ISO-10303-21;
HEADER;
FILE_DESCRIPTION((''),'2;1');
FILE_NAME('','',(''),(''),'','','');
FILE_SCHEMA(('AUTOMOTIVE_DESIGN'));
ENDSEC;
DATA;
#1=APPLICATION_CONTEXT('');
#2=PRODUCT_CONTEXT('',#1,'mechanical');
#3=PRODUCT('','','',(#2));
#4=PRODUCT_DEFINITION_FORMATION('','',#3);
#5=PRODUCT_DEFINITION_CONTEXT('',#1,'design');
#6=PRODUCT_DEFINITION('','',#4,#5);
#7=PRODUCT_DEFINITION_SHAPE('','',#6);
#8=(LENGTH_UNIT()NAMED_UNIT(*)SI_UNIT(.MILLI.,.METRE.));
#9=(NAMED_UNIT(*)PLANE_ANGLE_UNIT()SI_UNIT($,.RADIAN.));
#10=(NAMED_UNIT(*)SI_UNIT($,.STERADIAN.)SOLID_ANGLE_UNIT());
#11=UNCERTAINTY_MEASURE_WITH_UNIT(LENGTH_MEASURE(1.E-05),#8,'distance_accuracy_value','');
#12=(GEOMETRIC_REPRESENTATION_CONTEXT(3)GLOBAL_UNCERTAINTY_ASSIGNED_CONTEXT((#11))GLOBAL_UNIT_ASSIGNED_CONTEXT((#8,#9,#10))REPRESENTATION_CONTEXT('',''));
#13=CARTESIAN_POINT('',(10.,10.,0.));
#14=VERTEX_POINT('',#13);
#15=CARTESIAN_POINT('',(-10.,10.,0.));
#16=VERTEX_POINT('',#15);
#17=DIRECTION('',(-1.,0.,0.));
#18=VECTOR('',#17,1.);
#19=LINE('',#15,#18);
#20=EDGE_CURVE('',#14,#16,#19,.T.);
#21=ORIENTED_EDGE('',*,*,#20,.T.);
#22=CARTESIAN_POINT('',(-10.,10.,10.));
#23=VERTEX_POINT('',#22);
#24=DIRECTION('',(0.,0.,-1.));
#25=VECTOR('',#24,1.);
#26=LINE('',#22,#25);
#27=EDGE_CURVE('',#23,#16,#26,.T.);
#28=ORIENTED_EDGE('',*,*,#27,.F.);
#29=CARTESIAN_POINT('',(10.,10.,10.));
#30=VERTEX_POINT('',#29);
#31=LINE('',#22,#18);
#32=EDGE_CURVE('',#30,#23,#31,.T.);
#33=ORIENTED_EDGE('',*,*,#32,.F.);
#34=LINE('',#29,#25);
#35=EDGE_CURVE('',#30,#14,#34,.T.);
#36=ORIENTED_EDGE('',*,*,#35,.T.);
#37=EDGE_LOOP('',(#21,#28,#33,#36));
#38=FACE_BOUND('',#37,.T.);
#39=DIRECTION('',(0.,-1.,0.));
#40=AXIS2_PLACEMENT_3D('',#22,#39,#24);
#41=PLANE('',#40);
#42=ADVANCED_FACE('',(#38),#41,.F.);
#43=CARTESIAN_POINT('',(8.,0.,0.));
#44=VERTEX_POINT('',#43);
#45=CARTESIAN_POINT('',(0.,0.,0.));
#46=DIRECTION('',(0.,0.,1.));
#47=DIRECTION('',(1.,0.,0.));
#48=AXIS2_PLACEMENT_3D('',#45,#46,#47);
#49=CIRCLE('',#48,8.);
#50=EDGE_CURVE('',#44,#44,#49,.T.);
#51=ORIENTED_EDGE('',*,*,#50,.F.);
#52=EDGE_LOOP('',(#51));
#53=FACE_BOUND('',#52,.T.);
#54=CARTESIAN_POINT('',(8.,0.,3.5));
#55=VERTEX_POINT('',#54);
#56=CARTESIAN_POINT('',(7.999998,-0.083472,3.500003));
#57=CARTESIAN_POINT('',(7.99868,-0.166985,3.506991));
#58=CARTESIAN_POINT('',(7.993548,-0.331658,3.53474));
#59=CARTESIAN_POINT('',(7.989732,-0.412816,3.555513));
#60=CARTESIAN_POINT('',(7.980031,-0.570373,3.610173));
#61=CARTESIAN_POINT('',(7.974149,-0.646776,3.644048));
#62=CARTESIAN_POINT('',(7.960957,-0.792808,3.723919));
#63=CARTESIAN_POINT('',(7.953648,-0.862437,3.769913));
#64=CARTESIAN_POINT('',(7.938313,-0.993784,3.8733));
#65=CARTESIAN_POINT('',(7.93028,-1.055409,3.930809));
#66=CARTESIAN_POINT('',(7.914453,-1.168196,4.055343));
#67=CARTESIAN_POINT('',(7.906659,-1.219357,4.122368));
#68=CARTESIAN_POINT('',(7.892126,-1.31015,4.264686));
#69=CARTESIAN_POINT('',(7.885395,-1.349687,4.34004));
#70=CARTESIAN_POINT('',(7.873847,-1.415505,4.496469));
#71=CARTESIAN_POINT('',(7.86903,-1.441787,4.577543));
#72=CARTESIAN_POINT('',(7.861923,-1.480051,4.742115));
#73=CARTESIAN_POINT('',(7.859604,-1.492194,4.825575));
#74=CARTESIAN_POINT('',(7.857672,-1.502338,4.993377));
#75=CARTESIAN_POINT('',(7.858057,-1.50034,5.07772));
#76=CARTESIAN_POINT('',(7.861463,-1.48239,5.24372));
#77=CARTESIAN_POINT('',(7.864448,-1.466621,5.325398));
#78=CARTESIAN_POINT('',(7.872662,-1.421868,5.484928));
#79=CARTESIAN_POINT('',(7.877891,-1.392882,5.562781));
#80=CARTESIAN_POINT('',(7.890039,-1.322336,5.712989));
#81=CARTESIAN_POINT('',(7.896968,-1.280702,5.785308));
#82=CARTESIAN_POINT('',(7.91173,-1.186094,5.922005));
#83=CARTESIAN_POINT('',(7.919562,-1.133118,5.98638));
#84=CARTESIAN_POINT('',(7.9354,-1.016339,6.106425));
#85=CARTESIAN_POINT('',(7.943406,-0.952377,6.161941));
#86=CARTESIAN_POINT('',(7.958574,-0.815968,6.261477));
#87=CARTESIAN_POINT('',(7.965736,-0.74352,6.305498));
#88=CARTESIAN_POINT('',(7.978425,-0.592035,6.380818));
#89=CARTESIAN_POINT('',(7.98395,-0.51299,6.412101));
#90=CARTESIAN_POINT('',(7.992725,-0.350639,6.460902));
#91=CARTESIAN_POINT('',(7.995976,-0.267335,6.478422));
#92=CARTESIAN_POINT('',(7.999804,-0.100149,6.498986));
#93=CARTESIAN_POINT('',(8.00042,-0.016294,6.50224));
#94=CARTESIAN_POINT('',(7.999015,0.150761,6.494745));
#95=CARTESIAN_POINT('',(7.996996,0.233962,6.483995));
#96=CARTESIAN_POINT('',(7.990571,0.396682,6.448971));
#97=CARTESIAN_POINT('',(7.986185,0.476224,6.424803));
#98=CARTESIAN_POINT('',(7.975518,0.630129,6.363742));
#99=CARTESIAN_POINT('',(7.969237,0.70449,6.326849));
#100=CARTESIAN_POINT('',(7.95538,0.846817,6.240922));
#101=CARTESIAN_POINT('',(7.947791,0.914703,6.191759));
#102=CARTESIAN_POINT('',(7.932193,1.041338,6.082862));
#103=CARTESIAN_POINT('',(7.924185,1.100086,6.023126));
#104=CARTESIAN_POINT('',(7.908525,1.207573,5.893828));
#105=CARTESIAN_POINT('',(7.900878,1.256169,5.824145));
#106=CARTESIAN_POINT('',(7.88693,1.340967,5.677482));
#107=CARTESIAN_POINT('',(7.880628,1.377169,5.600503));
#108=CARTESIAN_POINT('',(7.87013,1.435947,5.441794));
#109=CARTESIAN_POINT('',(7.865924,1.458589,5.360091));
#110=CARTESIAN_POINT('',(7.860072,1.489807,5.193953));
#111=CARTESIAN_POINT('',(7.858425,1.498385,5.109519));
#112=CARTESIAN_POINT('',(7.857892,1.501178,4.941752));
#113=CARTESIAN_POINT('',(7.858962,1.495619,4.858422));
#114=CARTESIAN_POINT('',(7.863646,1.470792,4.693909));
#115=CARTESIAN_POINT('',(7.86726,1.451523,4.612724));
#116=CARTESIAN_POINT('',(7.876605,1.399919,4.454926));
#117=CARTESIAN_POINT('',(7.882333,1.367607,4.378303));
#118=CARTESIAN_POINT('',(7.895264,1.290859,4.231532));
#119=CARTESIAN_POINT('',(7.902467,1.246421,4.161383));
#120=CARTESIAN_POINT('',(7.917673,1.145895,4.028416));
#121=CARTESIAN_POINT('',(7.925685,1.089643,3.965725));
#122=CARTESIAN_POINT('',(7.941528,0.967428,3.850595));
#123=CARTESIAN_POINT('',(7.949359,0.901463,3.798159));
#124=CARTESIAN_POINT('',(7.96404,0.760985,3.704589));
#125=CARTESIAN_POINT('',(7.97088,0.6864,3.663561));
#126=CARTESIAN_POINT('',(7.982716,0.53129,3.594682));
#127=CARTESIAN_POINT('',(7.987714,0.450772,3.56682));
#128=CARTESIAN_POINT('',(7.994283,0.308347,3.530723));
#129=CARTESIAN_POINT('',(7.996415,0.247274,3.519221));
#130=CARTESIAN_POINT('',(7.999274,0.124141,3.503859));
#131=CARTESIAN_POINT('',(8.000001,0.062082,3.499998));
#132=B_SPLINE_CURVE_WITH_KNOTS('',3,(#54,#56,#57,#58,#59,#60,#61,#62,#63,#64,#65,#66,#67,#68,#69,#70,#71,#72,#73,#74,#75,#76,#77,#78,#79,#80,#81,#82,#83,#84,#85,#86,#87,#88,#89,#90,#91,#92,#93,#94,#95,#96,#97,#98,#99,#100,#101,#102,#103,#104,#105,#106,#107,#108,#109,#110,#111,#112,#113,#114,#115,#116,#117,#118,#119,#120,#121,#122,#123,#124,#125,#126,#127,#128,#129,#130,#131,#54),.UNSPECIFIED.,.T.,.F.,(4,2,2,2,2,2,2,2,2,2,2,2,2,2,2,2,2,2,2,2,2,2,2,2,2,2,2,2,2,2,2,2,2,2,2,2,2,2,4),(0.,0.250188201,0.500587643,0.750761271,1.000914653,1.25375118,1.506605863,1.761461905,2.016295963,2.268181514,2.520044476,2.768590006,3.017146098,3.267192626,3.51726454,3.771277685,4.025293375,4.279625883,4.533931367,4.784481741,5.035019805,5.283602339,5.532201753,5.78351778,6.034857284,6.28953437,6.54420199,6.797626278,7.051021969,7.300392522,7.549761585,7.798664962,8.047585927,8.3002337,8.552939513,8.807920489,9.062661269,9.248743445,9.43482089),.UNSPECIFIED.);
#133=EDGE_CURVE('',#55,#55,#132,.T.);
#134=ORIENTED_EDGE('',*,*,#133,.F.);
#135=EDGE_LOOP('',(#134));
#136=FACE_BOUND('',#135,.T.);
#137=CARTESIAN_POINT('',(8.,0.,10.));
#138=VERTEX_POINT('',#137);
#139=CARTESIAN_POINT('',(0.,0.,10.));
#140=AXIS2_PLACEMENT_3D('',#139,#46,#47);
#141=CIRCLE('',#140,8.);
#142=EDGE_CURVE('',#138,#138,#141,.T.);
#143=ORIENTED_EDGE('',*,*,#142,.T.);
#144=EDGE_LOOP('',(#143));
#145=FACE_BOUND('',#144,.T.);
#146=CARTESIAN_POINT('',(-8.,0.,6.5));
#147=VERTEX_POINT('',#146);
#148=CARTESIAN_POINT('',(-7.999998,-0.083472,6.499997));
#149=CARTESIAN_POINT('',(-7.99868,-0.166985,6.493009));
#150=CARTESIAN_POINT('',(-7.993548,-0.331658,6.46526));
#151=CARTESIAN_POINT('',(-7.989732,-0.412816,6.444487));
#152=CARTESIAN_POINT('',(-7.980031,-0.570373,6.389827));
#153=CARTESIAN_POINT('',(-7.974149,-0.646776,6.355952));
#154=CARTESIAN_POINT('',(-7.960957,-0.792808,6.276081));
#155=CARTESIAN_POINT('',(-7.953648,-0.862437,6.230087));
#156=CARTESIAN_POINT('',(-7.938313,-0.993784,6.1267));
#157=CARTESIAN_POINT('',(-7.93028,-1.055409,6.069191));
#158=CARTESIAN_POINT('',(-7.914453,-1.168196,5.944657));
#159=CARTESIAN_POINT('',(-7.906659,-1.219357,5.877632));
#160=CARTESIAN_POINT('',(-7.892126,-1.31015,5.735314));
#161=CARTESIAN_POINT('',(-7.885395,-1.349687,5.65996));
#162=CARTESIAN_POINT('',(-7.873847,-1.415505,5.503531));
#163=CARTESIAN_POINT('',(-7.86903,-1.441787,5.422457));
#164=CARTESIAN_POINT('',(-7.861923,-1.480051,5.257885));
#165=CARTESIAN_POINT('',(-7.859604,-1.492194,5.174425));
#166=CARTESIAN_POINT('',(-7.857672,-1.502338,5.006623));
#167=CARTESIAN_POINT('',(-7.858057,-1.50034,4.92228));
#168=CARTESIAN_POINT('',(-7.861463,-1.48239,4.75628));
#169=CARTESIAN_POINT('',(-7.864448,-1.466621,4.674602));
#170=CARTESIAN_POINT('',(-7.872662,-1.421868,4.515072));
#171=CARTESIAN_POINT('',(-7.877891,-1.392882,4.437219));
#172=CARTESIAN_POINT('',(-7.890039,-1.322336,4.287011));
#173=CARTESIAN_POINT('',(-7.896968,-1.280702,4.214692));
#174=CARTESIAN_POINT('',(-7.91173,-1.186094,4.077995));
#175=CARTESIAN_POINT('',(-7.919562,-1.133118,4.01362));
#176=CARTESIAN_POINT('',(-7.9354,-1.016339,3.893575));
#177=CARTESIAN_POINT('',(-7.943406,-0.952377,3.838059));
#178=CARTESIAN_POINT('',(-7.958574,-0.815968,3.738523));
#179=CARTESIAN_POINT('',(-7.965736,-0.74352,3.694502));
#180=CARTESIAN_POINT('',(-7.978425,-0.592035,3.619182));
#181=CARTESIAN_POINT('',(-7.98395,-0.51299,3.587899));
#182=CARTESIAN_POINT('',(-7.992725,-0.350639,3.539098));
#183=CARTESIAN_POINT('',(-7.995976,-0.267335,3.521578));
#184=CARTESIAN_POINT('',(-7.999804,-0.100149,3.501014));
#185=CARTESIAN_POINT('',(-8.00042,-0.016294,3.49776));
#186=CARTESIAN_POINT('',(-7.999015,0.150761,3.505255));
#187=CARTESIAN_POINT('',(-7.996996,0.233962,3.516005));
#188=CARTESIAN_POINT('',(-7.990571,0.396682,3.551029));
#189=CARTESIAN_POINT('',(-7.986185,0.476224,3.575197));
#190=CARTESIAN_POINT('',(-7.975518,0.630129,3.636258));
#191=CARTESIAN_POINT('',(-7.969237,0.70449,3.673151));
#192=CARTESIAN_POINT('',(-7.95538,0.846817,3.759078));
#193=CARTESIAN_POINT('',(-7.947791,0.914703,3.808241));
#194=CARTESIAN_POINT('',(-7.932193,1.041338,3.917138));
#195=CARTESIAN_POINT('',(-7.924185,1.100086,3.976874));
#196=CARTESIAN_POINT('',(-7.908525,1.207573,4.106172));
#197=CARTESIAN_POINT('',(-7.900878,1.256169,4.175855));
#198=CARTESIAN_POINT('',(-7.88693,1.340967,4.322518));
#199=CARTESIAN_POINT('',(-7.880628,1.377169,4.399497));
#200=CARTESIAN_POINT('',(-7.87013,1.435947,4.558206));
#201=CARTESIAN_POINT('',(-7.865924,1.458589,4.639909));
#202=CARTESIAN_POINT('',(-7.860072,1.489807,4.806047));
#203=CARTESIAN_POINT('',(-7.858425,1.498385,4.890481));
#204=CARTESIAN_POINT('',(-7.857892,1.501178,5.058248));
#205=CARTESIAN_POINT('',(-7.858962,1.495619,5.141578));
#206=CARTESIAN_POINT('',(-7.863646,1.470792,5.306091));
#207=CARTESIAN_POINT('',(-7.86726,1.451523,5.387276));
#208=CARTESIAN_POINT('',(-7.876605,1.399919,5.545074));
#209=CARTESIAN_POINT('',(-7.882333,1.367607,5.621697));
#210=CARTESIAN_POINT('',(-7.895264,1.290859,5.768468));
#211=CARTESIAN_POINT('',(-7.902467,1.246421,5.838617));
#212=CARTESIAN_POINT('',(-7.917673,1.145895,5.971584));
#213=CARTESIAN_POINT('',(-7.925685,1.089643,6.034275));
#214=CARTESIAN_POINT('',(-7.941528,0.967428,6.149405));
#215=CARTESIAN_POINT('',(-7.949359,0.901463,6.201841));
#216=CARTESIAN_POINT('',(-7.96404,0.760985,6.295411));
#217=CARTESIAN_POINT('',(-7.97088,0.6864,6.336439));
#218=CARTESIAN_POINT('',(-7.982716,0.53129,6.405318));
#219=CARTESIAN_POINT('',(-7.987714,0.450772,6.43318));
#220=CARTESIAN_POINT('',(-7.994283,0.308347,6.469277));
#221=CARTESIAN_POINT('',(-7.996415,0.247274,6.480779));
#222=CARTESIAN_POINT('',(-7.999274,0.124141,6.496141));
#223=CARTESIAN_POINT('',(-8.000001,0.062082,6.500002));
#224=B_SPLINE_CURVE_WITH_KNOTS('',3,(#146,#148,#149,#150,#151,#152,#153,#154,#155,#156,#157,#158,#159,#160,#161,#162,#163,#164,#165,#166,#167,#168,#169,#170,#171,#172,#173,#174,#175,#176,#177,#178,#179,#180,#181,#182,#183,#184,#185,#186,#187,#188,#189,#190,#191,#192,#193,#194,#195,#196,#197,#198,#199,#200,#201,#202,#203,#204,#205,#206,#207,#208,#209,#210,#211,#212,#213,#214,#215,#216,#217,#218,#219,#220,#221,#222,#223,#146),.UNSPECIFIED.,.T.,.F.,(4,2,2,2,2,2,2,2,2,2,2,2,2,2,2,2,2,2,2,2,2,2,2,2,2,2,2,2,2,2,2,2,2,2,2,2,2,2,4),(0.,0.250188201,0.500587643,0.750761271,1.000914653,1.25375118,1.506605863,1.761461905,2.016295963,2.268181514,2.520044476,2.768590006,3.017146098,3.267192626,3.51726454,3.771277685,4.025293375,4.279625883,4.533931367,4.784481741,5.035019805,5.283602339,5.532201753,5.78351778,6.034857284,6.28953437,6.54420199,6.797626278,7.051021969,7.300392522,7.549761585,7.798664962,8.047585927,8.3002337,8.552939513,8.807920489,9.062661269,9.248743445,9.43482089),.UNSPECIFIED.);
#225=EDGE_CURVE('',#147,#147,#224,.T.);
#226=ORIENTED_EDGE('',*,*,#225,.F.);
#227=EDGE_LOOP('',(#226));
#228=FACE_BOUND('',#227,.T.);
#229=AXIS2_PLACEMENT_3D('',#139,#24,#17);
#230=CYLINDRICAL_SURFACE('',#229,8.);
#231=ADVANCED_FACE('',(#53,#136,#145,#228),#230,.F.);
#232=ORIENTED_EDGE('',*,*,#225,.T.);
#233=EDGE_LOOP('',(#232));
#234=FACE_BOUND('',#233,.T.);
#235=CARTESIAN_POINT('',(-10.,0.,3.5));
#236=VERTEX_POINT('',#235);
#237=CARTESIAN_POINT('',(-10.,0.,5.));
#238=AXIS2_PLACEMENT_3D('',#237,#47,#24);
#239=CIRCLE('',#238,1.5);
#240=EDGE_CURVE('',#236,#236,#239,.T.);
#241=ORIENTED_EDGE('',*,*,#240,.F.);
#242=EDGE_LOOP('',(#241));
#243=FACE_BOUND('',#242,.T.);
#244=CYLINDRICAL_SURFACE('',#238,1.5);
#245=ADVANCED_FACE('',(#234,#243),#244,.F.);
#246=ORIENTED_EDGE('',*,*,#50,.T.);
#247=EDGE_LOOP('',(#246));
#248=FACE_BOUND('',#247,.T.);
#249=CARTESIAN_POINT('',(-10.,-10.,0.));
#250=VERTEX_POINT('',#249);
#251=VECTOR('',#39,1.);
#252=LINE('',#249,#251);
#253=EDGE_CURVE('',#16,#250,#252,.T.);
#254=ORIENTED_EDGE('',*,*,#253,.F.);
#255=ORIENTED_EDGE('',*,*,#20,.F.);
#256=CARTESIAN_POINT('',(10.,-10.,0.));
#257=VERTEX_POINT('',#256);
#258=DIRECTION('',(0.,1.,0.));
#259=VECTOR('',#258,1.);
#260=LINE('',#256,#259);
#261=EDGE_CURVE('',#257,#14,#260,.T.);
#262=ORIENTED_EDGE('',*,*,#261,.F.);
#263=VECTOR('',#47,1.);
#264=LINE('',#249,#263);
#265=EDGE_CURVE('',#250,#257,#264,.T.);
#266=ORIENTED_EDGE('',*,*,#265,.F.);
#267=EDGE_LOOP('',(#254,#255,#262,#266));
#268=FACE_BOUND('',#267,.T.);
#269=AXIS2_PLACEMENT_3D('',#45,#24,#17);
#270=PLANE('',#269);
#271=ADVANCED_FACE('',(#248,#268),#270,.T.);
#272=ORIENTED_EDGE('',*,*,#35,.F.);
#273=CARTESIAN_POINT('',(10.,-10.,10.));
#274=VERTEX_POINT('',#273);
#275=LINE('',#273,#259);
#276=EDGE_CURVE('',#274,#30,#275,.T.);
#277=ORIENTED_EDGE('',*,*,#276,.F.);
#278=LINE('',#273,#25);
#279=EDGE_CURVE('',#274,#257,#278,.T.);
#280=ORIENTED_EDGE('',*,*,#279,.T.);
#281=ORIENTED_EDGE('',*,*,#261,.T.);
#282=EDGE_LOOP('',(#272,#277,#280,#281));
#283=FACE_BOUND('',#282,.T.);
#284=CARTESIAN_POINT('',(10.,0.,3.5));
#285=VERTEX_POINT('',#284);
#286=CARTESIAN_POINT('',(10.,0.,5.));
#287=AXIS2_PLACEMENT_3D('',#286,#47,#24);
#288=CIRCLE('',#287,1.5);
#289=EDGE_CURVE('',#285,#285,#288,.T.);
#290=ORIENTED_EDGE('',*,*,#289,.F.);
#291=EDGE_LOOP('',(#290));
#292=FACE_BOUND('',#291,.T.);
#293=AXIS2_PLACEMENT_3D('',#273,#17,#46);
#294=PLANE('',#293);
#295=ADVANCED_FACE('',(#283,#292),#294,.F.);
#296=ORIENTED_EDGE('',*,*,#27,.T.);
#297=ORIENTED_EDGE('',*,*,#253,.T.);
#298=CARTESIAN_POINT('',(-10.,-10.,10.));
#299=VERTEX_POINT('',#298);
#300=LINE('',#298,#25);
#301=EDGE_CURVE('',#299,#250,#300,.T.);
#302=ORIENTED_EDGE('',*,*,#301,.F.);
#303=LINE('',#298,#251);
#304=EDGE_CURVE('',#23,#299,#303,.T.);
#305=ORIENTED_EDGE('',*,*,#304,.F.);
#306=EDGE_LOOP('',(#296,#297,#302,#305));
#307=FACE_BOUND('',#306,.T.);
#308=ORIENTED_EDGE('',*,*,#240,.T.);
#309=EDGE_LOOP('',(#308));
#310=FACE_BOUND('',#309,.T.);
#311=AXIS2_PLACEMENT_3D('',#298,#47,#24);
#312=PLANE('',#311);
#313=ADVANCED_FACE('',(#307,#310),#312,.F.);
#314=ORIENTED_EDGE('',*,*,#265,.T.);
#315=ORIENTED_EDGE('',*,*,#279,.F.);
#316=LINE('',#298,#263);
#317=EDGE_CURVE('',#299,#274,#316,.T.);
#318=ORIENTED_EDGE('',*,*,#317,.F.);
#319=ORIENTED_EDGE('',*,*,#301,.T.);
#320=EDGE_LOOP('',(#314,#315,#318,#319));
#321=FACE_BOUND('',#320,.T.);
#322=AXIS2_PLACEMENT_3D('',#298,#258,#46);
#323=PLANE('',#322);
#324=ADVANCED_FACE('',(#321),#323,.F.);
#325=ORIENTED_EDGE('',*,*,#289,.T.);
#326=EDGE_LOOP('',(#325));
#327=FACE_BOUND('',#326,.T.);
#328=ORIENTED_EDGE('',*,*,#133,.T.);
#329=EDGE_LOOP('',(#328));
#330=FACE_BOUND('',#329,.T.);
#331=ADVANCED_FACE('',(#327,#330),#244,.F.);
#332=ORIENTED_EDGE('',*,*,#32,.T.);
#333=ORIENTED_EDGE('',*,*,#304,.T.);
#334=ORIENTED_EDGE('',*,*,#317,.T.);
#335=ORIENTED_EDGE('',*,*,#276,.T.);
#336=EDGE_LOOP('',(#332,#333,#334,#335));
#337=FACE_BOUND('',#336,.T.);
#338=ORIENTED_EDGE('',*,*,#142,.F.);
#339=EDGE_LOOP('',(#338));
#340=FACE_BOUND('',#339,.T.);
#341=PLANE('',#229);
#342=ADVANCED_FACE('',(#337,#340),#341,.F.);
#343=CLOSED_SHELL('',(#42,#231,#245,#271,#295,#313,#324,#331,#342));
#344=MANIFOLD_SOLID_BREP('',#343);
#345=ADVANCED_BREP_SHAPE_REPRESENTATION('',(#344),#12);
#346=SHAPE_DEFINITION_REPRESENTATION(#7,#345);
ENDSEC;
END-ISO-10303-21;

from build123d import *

# Parameters (mm, degrees)
SKETCH1_W           = 20
SKETCH1_H           = 20
SKETCH1_R           = 8
BOSS_EXTRUDE1_DEPTH = 10
SKETCH4_R           = 1.5
CUT_EXTRUDE1_DEPTH  = 20


with BuildPart() as part:
    # Sketch1 → Boss-Extrude1 (new body)
    with BuildSketch(Plane.XY):
        Rectangle(SKETCH1_W, SKETCH1_H)
        Circle(SKETCH1_R, mode=Mode.SUBTRACT)
    extrude(amount=BOSS_EXTRUDE1_DEPTH)

    # Sketch4 → Cut-Extrude1 (cut)
    with BuildSketch(Plane(origin=(10, 0, 0), x_dir=(0, 0, -1), z_dir=(1, 0, 0))):
        with Locations((-5, 0)):
            Circle(SKETCH4_R)
    extrude(amount=-CUT_EXTRUDE1_DEPTH, mode=Mode.SUBTRACT)


solid = part.part
